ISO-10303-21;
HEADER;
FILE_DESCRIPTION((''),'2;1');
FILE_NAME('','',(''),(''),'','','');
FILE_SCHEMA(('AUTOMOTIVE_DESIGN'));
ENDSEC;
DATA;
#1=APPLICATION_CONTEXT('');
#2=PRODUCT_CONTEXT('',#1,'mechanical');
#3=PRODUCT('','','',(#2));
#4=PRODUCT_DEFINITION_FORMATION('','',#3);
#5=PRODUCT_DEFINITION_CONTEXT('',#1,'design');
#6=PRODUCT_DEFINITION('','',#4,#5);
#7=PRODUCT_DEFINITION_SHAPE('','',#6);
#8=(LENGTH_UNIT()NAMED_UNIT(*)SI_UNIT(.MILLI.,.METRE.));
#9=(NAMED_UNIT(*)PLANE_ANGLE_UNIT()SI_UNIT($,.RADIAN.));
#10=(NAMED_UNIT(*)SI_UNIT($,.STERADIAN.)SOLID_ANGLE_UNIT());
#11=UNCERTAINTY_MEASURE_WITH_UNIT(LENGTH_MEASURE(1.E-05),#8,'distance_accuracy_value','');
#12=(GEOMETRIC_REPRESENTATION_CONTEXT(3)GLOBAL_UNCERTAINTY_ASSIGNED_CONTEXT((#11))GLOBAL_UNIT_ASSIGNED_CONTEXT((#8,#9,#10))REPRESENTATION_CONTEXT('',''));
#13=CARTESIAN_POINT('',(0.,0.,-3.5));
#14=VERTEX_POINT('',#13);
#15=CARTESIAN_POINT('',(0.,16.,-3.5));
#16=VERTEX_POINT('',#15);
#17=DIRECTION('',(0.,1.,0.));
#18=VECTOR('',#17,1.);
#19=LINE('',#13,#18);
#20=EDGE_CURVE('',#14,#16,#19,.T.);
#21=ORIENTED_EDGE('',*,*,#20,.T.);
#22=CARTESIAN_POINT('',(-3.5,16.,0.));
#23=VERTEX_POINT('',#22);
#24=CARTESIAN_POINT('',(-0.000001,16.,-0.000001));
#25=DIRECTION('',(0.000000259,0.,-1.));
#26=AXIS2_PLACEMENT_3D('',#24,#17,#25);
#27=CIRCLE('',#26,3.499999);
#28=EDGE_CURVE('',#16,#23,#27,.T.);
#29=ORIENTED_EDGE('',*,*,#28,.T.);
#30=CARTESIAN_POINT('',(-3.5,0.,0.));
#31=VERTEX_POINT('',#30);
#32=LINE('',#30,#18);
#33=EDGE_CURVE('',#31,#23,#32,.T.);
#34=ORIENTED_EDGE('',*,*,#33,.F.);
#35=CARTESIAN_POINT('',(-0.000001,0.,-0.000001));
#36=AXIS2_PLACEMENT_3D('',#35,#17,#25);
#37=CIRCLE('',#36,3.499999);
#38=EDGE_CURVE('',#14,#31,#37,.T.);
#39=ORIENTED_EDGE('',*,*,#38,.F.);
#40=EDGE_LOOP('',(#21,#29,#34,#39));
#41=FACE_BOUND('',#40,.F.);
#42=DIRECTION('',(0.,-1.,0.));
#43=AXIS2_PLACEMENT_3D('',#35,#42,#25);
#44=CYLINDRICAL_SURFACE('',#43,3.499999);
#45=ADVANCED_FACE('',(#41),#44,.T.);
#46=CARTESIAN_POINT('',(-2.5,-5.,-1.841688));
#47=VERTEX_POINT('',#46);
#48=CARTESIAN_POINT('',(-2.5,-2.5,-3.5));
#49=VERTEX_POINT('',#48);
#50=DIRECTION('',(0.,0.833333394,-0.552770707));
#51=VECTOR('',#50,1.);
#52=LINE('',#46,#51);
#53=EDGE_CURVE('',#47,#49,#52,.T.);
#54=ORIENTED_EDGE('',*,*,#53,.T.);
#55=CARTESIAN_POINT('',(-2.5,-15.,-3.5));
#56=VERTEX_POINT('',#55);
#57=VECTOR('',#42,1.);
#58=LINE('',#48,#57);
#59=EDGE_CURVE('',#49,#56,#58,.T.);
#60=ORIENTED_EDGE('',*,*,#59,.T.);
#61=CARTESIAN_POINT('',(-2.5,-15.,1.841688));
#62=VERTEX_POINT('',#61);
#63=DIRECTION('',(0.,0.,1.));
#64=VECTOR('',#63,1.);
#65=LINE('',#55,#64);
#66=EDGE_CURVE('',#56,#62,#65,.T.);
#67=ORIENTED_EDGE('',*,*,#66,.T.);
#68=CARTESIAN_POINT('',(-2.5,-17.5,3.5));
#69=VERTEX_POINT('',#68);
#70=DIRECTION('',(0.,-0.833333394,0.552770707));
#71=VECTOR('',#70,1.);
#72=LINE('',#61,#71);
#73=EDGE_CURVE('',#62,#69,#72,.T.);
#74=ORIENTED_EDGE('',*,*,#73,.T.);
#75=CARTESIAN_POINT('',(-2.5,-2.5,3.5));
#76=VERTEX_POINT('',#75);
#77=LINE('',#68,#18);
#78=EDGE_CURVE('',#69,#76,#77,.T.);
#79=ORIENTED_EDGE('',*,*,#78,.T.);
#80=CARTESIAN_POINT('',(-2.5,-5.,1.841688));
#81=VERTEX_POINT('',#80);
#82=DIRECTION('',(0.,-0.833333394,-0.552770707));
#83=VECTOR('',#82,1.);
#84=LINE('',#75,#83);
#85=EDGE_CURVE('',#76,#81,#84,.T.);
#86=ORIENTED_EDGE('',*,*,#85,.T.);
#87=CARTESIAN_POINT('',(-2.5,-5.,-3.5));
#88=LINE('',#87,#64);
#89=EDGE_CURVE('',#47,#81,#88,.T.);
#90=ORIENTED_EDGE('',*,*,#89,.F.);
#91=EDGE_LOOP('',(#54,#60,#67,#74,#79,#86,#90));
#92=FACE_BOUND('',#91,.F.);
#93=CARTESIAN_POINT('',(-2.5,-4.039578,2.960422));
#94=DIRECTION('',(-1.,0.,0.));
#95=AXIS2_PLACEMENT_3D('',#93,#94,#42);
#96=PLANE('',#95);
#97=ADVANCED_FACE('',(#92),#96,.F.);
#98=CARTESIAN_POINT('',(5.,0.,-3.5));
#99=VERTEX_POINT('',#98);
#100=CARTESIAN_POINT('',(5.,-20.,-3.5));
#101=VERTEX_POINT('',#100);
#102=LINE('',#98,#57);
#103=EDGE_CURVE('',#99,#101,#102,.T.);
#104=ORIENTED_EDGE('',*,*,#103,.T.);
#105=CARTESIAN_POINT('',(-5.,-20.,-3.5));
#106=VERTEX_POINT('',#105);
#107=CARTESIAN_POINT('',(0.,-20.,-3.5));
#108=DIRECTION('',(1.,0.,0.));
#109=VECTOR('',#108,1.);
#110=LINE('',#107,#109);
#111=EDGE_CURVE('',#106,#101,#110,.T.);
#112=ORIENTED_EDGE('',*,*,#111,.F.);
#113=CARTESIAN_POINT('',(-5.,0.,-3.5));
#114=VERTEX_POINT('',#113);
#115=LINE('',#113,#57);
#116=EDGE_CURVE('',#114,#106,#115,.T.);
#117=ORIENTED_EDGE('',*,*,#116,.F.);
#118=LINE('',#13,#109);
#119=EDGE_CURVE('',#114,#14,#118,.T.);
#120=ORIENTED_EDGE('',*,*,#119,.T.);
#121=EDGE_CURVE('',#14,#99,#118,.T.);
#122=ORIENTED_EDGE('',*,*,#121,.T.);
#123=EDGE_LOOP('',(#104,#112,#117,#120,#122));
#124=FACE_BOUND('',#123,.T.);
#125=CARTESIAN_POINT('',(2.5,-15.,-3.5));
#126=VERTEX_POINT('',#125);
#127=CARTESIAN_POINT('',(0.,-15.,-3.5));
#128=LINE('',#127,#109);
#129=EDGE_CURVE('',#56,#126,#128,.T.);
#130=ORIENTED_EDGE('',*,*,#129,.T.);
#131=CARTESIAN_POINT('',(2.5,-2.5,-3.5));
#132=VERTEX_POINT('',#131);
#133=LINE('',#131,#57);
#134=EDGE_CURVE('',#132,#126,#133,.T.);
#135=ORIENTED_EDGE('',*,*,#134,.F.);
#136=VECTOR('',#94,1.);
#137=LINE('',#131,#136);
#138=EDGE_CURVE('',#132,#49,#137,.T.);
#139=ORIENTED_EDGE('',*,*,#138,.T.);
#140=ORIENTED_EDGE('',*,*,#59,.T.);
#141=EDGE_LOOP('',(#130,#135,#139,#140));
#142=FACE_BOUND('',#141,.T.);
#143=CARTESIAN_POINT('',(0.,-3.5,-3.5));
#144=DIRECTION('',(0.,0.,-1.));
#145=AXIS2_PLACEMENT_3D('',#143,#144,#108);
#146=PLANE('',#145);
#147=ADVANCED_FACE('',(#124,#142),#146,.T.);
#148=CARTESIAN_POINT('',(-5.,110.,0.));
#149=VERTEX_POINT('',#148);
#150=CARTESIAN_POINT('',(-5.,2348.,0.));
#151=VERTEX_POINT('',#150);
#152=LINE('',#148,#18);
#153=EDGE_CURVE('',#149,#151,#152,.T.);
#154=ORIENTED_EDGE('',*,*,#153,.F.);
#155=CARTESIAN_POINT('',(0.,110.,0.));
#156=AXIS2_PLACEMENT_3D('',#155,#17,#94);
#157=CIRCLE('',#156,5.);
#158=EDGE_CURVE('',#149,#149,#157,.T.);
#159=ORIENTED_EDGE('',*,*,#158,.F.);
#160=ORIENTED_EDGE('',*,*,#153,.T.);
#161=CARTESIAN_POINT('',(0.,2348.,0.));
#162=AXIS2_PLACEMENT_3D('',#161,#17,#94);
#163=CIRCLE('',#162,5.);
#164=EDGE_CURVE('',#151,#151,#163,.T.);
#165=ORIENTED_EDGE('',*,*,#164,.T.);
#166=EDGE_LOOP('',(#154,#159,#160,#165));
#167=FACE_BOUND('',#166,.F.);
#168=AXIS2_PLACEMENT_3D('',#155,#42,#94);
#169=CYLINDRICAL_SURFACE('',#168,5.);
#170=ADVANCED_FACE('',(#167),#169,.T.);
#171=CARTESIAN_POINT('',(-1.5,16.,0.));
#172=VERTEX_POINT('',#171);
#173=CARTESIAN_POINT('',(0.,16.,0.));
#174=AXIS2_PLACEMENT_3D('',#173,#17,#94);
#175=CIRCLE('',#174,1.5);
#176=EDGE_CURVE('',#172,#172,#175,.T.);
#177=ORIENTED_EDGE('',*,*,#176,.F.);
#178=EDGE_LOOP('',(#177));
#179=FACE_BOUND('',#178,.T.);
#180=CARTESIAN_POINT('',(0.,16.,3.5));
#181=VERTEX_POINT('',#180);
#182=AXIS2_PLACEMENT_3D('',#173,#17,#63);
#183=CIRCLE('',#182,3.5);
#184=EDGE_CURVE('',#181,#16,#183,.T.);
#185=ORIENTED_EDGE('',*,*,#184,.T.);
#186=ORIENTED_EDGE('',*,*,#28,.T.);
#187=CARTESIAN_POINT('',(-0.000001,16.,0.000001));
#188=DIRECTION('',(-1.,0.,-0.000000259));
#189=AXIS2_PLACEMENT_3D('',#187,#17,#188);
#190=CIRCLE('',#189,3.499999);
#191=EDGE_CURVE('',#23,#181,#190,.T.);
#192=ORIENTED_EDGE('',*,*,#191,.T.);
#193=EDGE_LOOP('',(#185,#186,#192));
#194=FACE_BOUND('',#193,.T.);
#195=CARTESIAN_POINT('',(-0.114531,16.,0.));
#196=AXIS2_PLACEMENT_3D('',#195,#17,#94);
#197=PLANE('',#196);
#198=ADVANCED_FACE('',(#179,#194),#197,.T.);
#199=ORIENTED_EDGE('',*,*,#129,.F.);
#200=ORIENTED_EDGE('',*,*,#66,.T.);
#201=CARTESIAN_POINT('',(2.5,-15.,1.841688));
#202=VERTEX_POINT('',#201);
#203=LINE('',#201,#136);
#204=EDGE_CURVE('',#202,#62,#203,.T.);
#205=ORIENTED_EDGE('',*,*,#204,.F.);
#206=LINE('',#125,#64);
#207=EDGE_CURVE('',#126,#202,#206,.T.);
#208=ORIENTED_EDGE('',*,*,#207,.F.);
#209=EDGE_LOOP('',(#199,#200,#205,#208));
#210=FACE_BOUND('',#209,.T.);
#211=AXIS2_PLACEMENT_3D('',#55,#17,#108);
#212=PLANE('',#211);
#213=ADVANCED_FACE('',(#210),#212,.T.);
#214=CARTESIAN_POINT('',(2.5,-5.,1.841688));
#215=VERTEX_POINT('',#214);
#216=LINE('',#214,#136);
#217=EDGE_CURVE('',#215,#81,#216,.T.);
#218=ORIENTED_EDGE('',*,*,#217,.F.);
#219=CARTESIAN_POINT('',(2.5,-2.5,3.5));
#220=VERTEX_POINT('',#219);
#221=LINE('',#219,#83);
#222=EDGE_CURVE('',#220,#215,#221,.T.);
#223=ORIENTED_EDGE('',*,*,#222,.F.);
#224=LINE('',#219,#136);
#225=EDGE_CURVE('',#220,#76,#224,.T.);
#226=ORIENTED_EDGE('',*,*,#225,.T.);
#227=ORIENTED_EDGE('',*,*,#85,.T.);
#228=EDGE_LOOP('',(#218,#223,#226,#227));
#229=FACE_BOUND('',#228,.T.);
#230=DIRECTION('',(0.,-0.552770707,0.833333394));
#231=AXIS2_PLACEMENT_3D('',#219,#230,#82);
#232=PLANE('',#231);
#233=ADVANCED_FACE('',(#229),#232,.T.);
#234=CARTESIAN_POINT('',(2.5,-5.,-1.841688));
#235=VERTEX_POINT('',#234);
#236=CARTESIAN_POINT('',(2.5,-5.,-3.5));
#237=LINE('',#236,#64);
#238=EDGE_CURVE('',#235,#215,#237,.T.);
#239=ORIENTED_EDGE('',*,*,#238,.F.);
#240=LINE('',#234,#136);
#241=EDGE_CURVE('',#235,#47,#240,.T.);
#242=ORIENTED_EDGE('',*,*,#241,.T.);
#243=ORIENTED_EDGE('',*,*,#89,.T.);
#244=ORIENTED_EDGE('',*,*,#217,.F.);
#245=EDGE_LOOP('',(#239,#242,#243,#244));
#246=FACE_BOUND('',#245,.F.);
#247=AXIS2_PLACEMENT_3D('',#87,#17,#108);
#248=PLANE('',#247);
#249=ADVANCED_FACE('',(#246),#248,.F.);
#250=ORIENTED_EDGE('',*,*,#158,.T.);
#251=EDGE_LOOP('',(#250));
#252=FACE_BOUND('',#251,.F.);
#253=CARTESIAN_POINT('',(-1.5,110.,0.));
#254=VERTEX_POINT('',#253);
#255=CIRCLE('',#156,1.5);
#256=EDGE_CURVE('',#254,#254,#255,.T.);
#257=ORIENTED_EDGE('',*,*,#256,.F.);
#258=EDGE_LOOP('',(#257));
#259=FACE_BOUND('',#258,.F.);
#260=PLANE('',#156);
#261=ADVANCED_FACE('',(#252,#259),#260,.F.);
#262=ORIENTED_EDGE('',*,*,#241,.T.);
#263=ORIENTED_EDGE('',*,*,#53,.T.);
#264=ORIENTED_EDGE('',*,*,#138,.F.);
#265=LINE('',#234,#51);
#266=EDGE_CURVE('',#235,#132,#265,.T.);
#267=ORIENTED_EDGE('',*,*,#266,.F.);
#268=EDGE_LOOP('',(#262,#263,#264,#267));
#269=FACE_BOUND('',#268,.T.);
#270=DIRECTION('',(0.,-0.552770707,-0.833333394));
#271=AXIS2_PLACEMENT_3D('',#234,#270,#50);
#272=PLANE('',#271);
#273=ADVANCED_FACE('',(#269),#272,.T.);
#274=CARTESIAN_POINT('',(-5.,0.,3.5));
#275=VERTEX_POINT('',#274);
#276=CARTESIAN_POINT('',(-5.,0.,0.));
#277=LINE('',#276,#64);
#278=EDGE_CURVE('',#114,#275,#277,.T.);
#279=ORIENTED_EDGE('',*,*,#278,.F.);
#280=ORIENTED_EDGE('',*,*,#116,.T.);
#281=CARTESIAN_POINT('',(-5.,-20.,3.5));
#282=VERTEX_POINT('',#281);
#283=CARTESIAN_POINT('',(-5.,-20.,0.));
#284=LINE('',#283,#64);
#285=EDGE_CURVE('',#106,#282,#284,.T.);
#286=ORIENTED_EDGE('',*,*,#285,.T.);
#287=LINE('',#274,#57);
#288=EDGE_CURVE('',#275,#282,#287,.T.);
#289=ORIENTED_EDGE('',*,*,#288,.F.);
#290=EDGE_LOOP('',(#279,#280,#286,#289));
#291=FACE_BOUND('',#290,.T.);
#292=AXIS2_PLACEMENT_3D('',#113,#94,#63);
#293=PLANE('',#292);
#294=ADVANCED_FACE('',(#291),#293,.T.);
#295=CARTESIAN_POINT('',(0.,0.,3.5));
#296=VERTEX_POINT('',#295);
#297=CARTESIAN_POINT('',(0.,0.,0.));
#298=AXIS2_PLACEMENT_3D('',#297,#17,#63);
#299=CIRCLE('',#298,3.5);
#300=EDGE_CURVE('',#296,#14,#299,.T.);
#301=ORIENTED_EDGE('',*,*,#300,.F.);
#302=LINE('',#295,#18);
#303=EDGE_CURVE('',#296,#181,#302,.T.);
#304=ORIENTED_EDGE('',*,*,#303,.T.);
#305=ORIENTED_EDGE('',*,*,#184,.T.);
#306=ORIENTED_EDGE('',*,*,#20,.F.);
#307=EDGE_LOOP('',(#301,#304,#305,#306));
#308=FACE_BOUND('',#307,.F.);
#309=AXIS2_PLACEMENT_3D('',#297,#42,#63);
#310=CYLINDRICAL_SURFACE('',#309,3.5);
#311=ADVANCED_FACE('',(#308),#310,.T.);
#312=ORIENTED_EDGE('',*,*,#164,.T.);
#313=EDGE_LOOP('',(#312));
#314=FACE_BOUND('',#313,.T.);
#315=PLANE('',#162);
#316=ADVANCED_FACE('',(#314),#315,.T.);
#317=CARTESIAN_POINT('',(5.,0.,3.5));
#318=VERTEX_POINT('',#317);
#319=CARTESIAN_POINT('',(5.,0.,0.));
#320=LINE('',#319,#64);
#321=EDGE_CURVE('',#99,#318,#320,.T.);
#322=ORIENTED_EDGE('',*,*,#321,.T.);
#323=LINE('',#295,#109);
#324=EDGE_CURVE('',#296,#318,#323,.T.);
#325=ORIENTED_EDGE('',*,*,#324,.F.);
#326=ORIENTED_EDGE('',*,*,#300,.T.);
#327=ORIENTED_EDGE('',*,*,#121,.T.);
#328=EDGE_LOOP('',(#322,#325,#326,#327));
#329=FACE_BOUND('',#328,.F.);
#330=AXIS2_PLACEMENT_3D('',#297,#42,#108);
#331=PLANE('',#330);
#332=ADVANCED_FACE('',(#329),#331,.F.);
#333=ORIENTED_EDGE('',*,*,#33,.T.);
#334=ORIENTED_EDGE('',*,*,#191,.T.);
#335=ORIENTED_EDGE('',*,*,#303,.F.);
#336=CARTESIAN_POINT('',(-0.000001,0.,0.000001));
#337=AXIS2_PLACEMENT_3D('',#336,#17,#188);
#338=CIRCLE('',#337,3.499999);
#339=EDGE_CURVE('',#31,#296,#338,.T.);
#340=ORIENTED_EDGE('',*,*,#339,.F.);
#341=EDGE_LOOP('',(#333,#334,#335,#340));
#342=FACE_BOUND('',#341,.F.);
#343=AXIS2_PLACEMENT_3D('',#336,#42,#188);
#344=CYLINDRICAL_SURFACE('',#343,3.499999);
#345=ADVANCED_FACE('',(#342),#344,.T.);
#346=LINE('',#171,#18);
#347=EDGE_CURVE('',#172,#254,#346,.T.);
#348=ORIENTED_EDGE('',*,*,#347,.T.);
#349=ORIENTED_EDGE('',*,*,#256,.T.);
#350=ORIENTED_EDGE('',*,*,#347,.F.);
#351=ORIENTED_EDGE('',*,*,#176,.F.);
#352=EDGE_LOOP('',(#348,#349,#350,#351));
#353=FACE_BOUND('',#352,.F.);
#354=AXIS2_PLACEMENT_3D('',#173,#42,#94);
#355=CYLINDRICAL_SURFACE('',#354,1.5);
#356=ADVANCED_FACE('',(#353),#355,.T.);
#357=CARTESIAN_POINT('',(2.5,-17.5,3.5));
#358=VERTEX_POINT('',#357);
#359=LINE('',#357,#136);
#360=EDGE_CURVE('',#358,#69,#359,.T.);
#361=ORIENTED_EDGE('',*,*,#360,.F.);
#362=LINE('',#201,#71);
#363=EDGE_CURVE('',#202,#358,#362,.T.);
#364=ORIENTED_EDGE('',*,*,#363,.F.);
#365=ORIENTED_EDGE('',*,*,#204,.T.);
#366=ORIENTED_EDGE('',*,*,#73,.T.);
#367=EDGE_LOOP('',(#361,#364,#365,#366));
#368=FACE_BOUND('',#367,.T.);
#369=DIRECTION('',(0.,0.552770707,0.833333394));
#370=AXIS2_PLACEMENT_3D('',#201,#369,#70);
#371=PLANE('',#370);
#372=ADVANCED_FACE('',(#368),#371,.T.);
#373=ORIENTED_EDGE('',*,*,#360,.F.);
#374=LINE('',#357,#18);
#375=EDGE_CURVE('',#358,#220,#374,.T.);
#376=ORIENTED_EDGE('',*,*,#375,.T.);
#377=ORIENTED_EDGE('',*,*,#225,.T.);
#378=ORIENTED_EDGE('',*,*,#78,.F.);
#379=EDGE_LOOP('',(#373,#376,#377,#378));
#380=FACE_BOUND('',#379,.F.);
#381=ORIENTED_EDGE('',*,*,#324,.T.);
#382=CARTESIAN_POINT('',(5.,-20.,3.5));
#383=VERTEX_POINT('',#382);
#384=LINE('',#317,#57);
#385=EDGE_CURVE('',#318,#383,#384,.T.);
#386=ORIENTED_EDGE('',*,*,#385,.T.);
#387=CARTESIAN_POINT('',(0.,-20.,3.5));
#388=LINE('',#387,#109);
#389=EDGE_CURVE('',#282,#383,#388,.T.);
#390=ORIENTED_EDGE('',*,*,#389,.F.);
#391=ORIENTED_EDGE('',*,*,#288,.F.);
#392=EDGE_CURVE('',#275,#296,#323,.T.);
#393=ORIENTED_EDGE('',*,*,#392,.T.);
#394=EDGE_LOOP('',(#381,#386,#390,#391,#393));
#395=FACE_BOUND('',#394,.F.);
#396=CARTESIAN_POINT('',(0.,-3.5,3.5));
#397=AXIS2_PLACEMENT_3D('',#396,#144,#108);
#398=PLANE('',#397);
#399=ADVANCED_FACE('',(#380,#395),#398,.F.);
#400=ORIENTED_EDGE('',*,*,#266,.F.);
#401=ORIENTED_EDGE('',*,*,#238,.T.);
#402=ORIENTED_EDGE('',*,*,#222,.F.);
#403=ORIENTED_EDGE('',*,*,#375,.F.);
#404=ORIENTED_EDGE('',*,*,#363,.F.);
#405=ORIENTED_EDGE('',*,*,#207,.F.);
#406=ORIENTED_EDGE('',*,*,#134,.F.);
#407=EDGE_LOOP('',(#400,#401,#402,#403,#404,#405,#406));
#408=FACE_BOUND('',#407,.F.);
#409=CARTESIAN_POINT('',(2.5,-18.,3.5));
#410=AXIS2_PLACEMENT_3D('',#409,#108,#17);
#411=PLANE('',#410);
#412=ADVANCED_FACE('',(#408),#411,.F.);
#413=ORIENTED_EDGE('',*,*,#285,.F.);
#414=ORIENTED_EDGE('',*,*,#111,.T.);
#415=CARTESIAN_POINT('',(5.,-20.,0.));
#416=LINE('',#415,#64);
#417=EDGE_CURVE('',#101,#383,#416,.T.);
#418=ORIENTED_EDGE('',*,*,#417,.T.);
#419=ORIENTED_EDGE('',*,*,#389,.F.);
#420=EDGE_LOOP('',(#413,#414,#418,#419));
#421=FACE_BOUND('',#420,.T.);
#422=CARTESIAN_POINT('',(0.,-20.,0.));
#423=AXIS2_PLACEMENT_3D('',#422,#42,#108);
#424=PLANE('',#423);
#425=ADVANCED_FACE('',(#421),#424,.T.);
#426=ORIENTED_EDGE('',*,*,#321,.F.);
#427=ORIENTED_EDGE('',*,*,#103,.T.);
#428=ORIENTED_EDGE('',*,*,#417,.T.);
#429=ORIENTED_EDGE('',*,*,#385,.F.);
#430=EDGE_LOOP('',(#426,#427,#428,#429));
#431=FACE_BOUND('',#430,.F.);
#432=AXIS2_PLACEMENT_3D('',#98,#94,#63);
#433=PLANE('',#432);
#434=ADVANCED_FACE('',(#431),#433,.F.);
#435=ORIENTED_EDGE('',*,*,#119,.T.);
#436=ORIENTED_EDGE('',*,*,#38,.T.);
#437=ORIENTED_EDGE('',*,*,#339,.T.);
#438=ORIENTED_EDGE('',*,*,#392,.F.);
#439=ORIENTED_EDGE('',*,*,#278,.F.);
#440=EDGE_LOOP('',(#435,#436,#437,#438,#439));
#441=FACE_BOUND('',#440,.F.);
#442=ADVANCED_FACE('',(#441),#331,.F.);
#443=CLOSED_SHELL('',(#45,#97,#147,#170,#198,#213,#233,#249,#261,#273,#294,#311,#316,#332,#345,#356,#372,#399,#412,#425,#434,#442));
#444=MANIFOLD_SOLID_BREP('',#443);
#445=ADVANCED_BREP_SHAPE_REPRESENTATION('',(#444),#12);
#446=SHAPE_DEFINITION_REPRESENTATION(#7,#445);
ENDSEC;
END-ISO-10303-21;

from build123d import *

# Parameters (mm, degrees)
F0_W      = 10
F0_H      = 7
F1_DEPTH  = 20
F2_W      = 5
F2_H      = 16
F3_DEPTH  = 7
F4_W      = 5
F4_H      = 3
F5_DEPTH  = 7
F7_DEPTH  = 5
F9_DEPTH  = 16
F10_R     = 1.5
F11_DEPTH = 94
F12_R     = 5
F13_DEPTH = 2238


with BuildPart() as f1:
    # F0 (on Front) → F1 (new body)
    with BuildSketch(Plane.XZ):
        Rectangle(F0_W, F0_H)
    extrude(amount=F1_DEPTH)

    # F2 (on face) → F3 (cut, through all)
    with BuildSketch(Plane.XY.offset(3.5)):
        with Locations((0, -10)):
            Rectangle(F2_W, F2_H)
    extrude(amount=-F3_DEPTH, mode=Mode.SUBTRACT)

    # F4 (on face) → F5 (join, through all)
    with BuildSketch(Plane(origin=(0, 0, -3.5), x_dir=(1, 0, 0), z_dir=(0, 0, -1))):
        with Locations((0, 3.5)):
            Rectangle(F4_W, F4_H)
        with Locations((0, 16.5)):
            Rectangle(F4_W, F4_H)
    extrude(amount=-F5_DEPTH)

    # F6 (on face) → F7 (cut, through all)
    with BuildSketch(Plane(origin=(2.5, 0, 0), x_dir=(0, -1, 0), z_dir=(-1, 0, 0))):
        Polygon((2.5, 3.5), (5, 1.841688), (5, 3.5), align=None)
        Polygon((2.5, -3.5), (5, -3.5), (5, -1.841688), align=None)
        Polygon((17.5, 3.5), (15, 3.5), (15, 1.841688), align=None)
    extrude(amount=F7_DEPTH, mode=Mode.SUBTRACT)

    # F8 (on face) → F9 (join)
    with BuildSketch(Plane(origin=(0, 0, 0), x_dir=(-1, 0, 0), z_dir=(0, 1, 0))):
        with BuildLine():
            ThreePointArc((0, -3.5), (2.474874, -2.474874), (3.5, 0))
            ThreePointArc((3.5, 0), (2.474874, 2.474874), (0, 3.5))
            ThreePointArc((0, 3.5), (-3.5, 0), (0, -3.5))
        make_face()
    extrude(amount=F9_DEPTH)

    # F10 (on face) → F11 (join)
    with BuildSketch(Plane(origin=(0, 16, 0), x_dir=(-1, 0, 0), z_dir=(0, 1, 0))):
        Circle(F10_R)
    extrude(amount=F11_DEPTH)

    # F12 (on face) → F13 (join)
    with BuildSketch(Plane(origin=(0, 110, 0), x_dir=(-1, 0, 0), z_dir=(0, 1, 0))):
        Circle(F12_R)
    extrude(amount=F13_DEPTH)


solid = f1.part
